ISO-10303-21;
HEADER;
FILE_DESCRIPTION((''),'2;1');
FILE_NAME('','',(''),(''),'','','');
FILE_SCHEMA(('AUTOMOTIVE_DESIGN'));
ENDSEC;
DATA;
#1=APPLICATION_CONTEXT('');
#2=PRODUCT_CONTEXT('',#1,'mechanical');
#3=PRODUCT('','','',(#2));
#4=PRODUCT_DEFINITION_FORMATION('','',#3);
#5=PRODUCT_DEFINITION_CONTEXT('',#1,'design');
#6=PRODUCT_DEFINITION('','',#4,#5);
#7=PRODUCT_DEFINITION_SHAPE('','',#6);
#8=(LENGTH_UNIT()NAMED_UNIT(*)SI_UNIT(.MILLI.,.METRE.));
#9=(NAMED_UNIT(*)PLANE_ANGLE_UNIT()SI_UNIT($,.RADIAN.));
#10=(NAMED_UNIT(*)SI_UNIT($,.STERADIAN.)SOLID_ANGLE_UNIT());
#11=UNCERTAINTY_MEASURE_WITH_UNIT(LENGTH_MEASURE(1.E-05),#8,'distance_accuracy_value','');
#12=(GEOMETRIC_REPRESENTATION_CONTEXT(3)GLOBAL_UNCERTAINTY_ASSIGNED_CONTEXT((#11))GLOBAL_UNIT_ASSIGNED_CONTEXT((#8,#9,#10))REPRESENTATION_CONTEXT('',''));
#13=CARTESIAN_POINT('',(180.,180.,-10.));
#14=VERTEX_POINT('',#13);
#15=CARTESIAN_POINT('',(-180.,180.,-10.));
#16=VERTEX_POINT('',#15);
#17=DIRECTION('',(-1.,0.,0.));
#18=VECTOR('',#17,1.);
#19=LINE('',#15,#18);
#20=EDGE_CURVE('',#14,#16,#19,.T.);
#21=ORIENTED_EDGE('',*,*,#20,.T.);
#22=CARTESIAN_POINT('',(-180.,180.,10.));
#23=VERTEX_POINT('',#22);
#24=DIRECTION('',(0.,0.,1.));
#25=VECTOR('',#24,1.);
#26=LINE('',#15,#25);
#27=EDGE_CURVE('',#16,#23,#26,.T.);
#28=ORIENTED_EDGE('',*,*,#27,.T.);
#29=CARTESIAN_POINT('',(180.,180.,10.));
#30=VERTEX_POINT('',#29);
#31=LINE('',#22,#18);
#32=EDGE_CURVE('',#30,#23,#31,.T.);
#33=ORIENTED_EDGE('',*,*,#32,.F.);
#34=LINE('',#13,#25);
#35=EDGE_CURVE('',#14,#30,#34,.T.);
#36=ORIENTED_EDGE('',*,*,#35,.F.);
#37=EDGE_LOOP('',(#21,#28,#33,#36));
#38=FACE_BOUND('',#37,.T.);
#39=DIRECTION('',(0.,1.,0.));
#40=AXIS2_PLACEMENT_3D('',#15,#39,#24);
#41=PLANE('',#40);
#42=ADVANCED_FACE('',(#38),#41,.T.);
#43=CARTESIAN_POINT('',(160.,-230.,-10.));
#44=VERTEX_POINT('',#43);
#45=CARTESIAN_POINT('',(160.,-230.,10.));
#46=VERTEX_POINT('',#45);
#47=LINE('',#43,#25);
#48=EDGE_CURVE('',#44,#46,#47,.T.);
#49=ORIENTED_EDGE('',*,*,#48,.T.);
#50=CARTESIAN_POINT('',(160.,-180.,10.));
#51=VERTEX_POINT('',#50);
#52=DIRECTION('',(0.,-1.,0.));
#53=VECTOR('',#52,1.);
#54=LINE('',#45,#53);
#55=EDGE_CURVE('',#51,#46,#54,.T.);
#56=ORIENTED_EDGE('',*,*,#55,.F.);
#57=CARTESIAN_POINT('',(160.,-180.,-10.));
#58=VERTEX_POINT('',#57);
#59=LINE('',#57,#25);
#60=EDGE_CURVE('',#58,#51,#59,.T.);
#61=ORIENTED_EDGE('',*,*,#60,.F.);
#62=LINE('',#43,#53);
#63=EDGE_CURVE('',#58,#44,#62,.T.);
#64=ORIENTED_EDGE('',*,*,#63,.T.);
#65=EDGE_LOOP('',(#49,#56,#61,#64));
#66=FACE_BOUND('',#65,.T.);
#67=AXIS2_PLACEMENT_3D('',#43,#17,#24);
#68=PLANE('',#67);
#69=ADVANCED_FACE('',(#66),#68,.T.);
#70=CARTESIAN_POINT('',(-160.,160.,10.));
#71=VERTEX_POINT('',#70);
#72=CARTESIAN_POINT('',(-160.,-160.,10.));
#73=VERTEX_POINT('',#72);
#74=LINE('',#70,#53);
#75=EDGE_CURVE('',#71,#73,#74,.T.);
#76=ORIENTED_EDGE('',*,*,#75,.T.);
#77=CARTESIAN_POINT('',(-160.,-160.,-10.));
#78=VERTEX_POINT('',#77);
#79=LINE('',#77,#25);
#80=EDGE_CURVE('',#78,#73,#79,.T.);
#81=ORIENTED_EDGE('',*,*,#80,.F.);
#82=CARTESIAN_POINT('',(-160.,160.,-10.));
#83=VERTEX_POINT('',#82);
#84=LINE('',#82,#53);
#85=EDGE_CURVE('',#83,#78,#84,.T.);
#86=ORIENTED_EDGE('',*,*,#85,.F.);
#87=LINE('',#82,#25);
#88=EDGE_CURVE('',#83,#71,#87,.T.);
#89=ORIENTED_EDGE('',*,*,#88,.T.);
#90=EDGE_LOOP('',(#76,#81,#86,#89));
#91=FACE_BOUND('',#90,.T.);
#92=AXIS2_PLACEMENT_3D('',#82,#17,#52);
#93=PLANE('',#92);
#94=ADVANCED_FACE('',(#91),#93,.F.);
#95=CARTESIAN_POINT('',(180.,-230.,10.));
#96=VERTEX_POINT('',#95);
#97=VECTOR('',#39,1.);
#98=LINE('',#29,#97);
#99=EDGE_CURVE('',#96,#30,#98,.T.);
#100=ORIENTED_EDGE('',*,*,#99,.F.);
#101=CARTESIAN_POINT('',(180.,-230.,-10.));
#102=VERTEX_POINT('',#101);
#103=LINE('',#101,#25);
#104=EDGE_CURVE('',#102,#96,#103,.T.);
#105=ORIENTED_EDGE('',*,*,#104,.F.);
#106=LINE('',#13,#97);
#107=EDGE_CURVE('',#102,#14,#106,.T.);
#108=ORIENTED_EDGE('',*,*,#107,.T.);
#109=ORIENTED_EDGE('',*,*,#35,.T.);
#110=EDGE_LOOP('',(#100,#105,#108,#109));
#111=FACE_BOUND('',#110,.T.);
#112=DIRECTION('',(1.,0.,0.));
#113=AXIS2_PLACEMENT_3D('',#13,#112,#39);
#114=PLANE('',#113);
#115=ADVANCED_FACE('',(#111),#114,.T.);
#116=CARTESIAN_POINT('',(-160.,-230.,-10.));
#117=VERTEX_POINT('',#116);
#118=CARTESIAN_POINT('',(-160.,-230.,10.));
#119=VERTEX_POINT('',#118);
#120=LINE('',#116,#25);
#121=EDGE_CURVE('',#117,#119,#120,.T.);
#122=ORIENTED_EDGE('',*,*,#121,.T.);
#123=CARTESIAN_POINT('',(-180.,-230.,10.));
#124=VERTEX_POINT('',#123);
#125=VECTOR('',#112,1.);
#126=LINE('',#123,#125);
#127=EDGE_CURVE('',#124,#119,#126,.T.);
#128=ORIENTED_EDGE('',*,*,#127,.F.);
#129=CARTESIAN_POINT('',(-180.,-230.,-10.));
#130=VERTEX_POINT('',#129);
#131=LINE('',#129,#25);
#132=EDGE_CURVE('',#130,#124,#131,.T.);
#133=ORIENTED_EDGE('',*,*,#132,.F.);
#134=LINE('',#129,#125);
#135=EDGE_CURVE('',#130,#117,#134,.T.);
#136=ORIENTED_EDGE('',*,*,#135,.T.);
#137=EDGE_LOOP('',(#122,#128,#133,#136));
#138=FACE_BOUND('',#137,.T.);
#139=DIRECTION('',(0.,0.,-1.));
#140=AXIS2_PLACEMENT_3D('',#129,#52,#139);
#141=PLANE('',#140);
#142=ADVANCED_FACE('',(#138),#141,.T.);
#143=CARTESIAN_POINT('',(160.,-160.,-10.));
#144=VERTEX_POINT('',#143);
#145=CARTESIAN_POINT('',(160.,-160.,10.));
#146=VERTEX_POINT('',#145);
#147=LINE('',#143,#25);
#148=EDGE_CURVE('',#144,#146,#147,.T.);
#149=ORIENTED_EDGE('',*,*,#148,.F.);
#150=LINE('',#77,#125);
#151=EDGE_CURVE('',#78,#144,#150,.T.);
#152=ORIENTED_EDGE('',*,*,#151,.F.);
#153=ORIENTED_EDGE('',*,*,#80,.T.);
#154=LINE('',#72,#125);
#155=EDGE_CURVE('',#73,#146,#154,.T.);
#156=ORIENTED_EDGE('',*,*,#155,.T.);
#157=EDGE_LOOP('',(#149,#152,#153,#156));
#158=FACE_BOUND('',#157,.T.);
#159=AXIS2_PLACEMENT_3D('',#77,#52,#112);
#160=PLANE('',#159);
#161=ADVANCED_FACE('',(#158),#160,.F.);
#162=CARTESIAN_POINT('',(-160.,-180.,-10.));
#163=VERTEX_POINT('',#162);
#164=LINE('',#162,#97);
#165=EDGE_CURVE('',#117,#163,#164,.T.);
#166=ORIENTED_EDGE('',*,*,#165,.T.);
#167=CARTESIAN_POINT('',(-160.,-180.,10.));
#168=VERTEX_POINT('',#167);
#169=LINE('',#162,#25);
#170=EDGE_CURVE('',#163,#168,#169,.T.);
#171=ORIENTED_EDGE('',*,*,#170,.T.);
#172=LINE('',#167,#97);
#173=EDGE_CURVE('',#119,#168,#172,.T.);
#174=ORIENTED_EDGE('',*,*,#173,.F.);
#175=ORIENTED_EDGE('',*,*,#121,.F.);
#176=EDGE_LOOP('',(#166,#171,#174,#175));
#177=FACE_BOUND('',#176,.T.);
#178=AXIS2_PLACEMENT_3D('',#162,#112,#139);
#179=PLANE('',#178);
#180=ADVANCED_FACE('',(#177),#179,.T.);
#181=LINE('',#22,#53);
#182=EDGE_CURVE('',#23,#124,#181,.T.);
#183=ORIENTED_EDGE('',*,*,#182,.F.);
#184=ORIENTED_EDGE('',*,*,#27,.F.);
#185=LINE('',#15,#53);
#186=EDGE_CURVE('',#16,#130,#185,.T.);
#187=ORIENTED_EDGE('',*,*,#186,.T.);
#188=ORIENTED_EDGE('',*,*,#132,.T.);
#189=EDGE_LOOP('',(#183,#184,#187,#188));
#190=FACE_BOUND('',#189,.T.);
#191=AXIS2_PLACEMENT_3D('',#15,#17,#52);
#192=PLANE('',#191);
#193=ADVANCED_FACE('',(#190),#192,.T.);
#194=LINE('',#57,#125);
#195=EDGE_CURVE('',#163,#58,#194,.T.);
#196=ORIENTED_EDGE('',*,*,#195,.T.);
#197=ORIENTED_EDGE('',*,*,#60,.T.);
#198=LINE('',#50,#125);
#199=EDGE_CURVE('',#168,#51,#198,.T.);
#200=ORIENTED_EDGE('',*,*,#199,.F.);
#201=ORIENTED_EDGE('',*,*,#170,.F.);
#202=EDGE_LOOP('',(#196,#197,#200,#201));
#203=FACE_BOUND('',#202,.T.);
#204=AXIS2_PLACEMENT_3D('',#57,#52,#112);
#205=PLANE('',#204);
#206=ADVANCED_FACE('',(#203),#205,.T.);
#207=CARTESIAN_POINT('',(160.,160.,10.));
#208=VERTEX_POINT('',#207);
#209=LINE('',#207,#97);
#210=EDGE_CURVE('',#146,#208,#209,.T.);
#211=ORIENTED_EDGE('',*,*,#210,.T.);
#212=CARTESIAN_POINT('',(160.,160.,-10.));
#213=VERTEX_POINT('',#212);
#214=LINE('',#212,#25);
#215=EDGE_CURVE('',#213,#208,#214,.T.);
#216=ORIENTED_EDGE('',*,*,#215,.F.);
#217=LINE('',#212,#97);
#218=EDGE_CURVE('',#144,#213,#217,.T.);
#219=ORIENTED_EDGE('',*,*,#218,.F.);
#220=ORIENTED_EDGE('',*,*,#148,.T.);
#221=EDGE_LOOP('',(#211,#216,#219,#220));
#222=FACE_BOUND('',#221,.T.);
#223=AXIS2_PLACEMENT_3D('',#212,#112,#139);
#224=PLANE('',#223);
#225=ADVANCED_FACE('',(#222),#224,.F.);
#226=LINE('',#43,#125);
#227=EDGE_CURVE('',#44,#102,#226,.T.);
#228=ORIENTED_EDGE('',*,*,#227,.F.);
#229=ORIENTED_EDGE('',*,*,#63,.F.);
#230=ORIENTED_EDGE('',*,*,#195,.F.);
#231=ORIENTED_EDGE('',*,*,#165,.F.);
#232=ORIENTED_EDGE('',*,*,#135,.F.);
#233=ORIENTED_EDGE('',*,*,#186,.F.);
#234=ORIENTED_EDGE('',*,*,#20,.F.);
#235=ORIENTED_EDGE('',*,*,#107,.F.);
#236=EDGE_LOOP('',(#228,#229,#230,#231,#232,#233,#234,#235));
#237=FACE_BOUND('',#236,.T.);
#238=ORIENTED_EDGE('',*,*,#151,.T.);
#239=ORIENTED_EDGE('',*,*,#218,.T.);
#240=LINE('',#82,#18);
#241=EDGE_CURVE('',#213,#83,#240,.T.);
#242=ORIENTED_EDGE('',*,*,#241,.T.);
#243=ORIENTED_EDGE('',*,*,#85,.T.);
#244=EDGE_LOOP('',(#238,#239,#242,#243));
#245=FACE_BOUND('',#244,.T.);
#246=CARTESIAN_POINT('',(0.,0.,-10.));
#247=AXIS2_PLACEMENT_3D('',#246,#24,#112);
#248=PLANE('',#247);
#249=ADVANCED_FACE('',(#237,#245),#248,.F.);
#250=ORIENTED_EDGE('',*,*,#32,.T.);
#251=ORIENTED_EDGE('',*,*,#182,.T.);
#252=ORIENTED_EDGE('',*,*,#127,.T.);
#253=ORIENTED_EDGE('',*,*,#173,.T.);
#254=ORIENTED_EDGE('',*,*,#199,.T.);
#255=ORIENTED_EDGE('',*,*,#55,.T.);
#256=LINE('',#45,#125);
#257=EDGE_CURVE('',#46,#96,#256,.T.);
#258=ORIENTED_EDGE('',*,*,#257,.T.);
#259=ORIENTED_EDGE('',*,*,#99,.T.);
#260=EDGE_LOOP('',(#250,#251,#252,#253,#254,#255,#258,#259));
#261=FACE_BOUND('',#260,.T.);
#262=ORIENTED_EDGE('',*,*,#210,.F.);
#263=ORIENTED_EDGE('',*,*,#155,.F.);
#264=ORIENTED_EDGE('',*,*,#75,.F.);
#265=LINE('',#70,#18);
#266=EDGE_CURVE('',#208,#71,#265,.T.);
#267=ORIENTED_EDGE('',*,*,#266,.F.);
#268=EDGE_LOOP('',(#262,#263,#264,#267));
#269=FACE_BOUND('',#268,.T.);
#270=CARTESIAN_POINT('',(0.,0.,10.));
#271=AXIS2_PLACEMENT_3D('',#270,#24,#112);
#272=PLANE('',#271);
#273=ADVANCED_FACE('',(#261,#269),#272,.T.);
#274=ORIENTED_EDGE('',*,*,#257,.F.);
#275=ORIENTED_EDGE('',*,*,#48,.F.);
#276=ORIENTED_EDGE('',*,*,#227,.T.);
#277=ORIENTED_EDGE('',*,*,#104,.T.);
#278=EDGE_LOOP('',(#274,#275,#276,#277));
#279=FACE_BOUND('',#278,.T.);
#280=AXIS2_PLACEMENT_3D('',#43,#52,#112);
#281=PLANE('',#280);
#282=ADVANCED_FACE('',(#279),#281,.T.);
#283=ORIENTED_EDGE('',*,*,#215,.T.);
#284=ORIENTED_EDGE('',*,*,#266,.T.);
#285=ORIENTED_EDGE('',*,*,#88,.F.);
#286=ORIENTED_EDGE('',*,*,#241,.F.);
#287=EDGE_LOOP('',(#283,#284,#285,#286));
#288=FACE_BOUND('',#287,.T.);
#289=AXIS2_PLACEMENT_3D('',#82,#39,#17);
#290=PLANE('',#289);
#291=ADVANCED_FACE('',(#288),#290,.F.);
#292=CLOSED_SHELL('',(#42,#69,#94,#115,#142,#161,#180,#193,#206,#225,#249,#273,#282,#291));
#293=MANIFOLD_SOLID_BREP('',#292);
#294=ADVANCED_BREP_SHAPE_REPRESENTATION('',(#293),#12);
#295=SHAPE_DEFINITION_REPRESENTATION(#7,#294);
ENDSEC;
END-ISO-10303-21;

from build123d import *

# Parameters (mm, degrees)
SKETCH2_W           = 320
SKETCH2_H           = 320
BOSS_EXTRUDE1_DEPTH = 10


with BuildPart() as part:
    # Sketch2 → Boss-Extrude1 (new, symmetric)
    with BuildSketch(Plane.XY):
        Polygon((160, -230), (160, -180), (-160, -180), (-160, -230), (-180, -230), (-180, 180), (180, 180), (180, -230), align=None)
        Rectangle(SKETCH2_W, SKETCH2_H, mode=Mode.SUBTRACT)
    extrude(amount=BOSS_EXTRUDE1_DEPTH, both=True)


solid = part.part
